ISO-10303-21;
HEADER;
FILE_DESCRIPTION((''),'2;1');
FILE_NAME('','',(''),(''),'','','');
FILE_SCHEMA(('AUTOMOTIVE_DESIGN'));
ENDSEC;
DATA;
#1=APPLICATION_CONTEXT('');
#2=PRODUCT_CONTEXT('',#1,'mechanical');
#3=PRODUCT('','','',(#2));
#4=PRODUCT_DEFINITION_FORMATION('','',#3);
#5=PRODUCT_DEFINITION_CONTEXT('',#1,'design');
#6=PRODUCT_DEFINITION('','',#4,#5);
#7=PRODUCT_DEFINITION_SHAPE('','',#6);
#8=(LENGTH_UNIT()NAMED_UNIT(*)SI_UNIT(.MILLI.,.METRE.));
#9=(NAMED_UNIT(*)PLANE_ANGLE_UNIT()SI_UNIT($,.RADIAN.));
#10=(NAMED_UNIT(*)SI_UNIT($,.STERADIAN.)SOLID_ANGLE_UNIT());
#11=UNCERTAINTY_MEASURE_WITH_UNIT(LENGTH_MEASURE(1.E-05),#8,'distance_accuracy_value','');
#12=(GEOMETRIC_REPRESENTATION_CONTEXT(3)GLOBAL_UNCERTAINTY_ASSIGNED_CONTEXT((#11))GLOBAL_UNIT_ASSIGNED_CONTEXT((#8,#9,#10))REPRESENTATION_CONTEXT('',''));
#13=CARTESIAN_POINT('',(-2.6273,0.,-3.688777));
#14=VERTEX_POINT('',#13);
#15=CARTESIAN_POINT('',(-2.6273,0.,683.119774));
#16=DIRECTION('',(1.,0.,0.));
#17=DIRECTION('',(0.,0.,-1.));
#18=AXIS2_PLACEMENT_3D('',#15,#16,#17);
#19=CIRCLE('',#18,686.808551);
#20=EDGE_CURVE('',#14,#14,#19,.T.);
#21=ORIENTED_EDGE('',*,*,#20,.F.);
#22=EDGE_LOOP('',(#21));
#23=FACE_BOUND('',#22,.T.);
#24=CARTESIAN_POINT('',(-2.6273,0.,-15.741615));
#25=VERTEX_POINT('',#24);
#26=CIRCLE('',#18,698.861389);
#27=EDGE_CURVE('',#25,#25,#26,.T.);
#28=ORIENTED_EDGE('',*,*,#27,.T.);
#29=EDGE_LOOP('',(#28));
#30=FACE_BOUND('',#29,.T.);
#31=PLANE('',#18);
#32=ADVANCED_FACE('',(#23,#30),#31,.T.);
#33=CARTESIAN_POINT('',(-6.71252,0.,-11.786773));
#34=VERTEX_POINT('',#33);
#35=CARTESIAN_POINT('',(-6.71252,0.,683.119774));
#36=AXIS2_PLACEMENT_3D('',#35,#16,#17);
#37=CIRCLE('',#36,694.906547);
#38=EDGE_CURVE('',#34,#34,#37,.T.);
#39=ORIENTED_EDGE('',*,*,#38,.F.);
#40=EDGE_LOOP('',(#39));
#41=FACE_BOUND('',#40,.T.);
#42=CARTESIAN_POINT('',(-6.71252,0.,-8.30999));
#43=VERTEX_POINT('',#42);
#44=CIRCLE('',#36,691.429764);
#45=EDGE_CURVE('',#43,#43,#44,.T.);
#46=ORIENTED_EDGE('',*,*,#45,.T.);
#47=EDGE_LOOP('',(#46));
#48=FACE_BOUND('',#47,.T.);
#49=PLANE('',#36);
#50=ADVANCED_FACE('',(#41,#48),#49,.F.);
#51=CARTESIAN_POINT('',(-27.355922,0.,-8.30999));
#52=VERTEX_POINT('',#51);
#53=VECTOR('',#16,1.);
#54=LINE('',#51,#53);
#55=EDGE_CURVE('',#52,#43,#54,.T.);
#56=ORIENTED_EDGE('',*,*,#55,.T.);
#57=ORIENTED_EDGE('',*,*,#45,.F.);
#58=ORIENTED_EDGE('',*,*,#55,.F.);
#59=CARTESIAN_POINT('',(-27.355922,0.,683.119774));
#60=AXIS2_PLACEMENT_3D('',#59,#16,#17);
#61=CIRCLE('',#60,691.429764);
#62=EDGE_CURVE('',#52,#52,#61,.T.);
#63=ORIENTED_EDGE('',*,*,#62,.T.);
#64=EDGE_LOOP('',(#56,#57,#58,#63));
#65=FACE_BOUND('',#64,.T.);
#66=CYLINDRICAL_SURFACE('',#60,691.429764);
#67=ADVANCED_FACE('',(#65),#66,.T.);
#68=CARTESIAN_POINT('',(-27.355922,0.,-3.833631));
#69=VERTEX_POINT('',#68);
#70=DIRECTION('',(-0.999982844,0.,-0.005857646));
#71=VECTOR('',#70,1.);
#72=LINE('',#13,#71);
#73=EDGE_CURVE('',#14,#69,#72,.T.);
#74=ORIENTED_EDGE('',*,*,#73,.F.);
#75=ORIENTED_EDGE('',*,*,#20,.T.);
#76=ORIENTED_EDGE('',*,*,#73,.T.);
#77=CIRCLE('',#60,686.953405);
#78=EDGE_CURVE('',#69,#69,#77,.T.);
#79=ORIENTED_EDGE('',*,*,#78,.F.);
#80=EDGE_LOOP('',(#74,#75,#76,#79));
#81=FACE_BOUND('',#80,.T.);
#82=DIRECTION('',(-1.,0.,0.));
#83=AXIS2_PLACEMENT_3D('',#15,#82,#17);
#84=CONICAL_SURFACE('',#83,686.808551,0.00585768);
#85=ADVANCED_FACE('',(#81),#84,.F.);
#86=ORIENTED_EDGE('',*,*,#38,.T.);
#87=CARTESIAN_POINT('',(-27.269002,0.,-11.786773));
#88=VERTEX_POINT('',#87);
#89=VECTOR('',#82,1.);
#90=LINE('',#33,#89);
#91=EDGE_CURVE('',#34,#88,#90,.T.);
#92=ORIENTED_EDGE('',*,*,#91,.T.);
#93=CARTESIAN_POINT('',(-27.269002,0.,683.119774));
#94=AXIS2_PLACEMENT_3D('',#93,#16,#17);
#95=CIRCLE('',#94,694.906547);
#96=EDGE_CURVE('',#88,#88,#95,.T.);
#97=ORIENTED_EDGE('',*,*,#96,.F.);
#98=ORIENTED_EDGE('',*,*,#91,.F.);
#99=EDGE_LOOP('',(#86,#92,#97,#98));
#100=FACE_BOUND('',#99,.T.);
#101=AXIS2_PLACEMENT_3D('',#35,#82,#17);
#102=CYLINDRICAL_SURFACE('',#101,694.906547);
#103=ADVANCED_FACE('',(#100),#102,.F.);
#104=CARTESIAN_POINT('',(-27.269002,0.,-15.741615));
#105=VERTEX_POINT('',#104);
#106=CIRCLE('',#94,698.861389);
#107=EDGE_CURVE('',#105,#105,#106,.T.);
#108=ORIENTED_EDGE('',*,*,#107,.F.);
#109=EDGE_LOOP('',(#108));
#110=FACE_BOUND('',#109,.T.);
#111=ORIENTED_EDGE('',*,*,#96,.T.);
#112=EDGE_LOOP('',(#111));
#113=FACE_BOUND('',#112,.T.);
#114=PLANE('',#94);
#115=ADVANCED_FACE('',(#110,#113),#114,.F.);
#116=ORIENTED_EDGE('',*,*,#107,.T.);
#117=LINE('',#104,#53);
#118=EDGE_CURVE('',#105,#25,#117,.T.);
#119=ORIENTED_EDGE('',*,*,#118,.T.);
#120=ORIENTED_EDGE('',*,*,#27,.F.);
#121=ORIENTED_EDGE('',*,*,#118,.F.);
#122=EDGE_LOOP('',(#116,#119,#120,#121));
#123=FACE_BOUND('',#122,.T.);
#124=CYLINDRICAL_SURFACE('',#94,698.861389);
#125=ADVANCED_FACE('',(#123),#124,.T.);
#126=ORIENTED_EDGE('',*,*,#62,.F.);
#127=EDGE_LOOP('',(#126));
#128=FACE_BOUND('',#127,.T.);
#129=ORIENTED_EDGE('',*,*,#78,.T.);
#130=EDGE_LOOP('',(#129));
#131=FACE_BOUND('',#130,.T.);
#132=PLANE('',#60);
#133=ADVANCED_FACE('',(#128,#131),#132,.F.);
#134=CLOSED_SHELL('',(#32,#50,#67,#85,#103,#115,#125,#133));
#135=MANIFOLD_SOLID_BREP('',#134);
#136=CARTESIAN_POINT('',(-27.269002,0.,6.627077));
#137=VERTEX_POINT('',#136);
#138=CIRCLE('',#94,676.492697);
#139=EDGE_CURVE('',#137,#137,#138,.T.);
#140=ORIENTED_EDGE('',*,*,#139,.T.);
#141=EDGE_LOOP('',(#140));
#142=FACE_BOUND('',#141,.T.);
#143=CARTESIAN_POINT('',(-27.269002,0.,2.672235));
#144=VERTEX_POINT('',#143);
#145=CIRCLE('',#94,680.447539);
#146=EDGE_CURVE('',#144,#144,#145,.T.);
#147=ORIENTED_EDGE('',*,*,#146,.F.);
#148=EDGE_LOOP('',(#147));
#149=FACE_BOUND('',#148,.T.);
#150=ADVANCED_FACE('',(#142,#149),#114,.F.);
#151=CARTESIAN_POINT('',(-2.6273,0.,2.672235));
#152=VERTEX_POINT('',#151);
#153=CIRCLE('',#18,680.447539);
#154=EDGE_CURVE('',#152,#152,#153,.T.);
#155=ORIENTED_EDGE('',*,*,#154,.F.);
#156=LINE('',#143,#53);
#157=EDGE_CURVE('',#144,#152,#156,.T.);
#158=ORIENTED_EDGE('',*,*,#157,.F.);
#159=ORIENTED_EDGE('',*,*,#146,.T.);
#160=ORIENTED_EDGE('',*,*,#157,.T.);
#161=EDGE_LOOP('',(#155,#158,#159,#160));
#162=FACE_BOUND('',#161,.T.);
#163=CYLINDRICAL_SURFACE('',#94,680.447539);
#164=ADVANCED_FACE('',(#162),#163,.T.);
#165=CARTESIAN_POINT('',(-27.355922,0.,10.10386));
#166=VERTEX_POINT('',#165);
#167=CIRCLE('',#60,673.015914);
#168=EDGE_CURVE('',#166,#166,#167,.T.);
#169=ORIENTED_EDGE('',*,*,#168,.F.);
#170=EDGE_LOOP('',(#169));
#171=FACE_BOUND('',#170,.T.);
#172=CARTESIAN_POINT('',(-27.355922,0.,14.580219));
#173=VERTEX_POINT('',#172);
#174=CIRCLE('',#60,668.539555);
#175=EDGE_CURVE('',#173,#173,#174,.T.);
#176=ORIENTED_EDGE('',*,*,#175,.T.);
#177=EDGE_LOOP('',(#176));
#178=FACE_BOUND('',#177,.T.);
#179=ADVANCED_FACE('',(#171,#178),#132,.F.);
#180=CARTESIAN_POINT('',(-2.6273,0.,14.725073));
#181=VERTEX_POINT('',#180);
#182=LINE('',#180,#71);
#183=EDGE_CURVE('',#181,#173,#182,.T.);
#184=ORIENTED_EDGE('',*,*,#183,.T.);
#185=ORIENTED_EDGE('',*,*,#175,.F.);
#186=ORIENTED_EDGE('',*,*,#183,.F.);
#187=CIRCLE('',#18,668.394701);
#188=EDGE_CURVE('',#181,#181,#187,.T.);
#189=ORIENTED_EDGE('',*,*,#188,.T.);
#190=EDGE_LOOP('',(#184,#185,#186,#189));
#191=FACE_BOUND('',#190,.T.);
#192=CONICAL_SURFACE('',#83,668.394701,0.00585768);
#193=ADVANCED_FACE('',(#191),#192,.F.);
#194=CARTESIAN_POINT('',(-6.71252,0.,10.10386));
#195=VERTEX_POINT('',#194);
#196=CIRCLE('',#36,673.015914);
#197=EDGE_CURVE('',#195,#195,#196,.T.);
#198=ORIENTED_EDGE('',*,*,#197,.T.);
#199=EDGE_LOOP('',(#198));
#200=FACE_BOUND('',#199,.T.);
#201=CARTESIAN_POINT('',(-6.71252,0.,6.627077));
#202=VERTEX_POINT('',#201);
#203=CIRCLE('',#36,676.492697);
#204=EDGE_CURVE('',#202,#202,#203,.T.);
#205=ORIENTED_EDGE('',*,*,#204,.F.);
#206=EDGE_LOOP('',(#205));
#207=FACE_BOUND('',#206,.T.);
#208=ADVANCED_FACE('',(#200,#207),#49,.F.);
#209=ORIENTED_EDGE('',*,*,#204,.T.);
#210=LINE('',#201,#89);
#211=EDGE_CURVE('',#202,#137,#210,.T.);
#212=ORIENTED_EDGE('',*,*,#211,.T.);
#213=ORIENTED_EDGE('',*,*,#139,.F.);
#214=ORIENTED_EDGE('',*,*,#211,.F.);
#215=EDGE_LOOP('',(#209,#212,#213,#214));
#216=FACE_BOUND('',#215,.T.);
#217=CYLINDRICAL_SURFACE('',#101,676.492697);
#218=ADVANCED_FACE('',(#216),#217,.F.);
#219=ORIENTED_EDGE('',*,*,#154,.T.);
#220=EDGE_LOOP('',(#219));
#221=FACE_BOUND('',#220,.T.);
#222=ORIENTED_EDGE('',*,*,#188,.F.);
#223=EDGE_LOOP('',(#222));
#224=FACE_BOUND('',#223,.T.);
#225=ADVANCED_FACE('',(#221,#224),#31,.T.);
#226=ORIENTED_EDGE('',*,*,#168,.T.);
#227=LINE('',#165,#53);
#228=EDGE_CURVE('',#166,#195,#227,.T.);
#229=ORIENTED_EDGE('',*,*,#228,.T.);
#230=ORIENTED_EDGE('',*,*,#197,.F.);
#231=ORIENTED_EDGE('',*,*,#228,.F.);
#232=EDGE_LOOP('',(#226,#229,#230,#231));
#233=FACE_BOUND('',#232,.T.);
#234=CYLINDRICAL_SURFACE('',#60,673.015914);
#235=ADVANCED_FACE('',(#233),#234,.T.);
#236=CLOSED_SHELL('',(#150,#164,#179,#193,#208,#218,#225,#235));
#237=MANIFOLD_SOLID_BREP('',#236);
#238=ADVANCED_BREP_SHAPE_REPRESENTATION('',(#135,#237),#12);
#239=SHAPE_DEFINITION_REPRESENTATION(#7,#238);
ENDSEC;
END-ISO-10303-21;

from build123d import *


with BuildPart() as f2:
    # F0 (on Front) → F2 (revolve)
    with BuildSketch(Plane.XZ):
        Polygon((-2.6273, -3.688777), (-27.355922, -3.833631), (-27.355922, -8.30999), (-6.71252, -8.30999), (-6.71252, -11.786773), (-27.269002, -11.786773), (-27.269002, -15.741615), (-2.6273, -15.741615), align=None)
        Polygon((-2.6273, 14.725073), (-27.355922, 14.580219), (-27.355922, 10.10386), (-6.71252, 10.10386), (-6.71252, 6.627077), (-27.269002, 6.627077), (-27.269002, 2.672235), (-2.6273, 2.672235), align=None)
    revolve(axis=Axis((85.245654, 0, 683.119774), (1, 0, 0)))


solid = f2.part
